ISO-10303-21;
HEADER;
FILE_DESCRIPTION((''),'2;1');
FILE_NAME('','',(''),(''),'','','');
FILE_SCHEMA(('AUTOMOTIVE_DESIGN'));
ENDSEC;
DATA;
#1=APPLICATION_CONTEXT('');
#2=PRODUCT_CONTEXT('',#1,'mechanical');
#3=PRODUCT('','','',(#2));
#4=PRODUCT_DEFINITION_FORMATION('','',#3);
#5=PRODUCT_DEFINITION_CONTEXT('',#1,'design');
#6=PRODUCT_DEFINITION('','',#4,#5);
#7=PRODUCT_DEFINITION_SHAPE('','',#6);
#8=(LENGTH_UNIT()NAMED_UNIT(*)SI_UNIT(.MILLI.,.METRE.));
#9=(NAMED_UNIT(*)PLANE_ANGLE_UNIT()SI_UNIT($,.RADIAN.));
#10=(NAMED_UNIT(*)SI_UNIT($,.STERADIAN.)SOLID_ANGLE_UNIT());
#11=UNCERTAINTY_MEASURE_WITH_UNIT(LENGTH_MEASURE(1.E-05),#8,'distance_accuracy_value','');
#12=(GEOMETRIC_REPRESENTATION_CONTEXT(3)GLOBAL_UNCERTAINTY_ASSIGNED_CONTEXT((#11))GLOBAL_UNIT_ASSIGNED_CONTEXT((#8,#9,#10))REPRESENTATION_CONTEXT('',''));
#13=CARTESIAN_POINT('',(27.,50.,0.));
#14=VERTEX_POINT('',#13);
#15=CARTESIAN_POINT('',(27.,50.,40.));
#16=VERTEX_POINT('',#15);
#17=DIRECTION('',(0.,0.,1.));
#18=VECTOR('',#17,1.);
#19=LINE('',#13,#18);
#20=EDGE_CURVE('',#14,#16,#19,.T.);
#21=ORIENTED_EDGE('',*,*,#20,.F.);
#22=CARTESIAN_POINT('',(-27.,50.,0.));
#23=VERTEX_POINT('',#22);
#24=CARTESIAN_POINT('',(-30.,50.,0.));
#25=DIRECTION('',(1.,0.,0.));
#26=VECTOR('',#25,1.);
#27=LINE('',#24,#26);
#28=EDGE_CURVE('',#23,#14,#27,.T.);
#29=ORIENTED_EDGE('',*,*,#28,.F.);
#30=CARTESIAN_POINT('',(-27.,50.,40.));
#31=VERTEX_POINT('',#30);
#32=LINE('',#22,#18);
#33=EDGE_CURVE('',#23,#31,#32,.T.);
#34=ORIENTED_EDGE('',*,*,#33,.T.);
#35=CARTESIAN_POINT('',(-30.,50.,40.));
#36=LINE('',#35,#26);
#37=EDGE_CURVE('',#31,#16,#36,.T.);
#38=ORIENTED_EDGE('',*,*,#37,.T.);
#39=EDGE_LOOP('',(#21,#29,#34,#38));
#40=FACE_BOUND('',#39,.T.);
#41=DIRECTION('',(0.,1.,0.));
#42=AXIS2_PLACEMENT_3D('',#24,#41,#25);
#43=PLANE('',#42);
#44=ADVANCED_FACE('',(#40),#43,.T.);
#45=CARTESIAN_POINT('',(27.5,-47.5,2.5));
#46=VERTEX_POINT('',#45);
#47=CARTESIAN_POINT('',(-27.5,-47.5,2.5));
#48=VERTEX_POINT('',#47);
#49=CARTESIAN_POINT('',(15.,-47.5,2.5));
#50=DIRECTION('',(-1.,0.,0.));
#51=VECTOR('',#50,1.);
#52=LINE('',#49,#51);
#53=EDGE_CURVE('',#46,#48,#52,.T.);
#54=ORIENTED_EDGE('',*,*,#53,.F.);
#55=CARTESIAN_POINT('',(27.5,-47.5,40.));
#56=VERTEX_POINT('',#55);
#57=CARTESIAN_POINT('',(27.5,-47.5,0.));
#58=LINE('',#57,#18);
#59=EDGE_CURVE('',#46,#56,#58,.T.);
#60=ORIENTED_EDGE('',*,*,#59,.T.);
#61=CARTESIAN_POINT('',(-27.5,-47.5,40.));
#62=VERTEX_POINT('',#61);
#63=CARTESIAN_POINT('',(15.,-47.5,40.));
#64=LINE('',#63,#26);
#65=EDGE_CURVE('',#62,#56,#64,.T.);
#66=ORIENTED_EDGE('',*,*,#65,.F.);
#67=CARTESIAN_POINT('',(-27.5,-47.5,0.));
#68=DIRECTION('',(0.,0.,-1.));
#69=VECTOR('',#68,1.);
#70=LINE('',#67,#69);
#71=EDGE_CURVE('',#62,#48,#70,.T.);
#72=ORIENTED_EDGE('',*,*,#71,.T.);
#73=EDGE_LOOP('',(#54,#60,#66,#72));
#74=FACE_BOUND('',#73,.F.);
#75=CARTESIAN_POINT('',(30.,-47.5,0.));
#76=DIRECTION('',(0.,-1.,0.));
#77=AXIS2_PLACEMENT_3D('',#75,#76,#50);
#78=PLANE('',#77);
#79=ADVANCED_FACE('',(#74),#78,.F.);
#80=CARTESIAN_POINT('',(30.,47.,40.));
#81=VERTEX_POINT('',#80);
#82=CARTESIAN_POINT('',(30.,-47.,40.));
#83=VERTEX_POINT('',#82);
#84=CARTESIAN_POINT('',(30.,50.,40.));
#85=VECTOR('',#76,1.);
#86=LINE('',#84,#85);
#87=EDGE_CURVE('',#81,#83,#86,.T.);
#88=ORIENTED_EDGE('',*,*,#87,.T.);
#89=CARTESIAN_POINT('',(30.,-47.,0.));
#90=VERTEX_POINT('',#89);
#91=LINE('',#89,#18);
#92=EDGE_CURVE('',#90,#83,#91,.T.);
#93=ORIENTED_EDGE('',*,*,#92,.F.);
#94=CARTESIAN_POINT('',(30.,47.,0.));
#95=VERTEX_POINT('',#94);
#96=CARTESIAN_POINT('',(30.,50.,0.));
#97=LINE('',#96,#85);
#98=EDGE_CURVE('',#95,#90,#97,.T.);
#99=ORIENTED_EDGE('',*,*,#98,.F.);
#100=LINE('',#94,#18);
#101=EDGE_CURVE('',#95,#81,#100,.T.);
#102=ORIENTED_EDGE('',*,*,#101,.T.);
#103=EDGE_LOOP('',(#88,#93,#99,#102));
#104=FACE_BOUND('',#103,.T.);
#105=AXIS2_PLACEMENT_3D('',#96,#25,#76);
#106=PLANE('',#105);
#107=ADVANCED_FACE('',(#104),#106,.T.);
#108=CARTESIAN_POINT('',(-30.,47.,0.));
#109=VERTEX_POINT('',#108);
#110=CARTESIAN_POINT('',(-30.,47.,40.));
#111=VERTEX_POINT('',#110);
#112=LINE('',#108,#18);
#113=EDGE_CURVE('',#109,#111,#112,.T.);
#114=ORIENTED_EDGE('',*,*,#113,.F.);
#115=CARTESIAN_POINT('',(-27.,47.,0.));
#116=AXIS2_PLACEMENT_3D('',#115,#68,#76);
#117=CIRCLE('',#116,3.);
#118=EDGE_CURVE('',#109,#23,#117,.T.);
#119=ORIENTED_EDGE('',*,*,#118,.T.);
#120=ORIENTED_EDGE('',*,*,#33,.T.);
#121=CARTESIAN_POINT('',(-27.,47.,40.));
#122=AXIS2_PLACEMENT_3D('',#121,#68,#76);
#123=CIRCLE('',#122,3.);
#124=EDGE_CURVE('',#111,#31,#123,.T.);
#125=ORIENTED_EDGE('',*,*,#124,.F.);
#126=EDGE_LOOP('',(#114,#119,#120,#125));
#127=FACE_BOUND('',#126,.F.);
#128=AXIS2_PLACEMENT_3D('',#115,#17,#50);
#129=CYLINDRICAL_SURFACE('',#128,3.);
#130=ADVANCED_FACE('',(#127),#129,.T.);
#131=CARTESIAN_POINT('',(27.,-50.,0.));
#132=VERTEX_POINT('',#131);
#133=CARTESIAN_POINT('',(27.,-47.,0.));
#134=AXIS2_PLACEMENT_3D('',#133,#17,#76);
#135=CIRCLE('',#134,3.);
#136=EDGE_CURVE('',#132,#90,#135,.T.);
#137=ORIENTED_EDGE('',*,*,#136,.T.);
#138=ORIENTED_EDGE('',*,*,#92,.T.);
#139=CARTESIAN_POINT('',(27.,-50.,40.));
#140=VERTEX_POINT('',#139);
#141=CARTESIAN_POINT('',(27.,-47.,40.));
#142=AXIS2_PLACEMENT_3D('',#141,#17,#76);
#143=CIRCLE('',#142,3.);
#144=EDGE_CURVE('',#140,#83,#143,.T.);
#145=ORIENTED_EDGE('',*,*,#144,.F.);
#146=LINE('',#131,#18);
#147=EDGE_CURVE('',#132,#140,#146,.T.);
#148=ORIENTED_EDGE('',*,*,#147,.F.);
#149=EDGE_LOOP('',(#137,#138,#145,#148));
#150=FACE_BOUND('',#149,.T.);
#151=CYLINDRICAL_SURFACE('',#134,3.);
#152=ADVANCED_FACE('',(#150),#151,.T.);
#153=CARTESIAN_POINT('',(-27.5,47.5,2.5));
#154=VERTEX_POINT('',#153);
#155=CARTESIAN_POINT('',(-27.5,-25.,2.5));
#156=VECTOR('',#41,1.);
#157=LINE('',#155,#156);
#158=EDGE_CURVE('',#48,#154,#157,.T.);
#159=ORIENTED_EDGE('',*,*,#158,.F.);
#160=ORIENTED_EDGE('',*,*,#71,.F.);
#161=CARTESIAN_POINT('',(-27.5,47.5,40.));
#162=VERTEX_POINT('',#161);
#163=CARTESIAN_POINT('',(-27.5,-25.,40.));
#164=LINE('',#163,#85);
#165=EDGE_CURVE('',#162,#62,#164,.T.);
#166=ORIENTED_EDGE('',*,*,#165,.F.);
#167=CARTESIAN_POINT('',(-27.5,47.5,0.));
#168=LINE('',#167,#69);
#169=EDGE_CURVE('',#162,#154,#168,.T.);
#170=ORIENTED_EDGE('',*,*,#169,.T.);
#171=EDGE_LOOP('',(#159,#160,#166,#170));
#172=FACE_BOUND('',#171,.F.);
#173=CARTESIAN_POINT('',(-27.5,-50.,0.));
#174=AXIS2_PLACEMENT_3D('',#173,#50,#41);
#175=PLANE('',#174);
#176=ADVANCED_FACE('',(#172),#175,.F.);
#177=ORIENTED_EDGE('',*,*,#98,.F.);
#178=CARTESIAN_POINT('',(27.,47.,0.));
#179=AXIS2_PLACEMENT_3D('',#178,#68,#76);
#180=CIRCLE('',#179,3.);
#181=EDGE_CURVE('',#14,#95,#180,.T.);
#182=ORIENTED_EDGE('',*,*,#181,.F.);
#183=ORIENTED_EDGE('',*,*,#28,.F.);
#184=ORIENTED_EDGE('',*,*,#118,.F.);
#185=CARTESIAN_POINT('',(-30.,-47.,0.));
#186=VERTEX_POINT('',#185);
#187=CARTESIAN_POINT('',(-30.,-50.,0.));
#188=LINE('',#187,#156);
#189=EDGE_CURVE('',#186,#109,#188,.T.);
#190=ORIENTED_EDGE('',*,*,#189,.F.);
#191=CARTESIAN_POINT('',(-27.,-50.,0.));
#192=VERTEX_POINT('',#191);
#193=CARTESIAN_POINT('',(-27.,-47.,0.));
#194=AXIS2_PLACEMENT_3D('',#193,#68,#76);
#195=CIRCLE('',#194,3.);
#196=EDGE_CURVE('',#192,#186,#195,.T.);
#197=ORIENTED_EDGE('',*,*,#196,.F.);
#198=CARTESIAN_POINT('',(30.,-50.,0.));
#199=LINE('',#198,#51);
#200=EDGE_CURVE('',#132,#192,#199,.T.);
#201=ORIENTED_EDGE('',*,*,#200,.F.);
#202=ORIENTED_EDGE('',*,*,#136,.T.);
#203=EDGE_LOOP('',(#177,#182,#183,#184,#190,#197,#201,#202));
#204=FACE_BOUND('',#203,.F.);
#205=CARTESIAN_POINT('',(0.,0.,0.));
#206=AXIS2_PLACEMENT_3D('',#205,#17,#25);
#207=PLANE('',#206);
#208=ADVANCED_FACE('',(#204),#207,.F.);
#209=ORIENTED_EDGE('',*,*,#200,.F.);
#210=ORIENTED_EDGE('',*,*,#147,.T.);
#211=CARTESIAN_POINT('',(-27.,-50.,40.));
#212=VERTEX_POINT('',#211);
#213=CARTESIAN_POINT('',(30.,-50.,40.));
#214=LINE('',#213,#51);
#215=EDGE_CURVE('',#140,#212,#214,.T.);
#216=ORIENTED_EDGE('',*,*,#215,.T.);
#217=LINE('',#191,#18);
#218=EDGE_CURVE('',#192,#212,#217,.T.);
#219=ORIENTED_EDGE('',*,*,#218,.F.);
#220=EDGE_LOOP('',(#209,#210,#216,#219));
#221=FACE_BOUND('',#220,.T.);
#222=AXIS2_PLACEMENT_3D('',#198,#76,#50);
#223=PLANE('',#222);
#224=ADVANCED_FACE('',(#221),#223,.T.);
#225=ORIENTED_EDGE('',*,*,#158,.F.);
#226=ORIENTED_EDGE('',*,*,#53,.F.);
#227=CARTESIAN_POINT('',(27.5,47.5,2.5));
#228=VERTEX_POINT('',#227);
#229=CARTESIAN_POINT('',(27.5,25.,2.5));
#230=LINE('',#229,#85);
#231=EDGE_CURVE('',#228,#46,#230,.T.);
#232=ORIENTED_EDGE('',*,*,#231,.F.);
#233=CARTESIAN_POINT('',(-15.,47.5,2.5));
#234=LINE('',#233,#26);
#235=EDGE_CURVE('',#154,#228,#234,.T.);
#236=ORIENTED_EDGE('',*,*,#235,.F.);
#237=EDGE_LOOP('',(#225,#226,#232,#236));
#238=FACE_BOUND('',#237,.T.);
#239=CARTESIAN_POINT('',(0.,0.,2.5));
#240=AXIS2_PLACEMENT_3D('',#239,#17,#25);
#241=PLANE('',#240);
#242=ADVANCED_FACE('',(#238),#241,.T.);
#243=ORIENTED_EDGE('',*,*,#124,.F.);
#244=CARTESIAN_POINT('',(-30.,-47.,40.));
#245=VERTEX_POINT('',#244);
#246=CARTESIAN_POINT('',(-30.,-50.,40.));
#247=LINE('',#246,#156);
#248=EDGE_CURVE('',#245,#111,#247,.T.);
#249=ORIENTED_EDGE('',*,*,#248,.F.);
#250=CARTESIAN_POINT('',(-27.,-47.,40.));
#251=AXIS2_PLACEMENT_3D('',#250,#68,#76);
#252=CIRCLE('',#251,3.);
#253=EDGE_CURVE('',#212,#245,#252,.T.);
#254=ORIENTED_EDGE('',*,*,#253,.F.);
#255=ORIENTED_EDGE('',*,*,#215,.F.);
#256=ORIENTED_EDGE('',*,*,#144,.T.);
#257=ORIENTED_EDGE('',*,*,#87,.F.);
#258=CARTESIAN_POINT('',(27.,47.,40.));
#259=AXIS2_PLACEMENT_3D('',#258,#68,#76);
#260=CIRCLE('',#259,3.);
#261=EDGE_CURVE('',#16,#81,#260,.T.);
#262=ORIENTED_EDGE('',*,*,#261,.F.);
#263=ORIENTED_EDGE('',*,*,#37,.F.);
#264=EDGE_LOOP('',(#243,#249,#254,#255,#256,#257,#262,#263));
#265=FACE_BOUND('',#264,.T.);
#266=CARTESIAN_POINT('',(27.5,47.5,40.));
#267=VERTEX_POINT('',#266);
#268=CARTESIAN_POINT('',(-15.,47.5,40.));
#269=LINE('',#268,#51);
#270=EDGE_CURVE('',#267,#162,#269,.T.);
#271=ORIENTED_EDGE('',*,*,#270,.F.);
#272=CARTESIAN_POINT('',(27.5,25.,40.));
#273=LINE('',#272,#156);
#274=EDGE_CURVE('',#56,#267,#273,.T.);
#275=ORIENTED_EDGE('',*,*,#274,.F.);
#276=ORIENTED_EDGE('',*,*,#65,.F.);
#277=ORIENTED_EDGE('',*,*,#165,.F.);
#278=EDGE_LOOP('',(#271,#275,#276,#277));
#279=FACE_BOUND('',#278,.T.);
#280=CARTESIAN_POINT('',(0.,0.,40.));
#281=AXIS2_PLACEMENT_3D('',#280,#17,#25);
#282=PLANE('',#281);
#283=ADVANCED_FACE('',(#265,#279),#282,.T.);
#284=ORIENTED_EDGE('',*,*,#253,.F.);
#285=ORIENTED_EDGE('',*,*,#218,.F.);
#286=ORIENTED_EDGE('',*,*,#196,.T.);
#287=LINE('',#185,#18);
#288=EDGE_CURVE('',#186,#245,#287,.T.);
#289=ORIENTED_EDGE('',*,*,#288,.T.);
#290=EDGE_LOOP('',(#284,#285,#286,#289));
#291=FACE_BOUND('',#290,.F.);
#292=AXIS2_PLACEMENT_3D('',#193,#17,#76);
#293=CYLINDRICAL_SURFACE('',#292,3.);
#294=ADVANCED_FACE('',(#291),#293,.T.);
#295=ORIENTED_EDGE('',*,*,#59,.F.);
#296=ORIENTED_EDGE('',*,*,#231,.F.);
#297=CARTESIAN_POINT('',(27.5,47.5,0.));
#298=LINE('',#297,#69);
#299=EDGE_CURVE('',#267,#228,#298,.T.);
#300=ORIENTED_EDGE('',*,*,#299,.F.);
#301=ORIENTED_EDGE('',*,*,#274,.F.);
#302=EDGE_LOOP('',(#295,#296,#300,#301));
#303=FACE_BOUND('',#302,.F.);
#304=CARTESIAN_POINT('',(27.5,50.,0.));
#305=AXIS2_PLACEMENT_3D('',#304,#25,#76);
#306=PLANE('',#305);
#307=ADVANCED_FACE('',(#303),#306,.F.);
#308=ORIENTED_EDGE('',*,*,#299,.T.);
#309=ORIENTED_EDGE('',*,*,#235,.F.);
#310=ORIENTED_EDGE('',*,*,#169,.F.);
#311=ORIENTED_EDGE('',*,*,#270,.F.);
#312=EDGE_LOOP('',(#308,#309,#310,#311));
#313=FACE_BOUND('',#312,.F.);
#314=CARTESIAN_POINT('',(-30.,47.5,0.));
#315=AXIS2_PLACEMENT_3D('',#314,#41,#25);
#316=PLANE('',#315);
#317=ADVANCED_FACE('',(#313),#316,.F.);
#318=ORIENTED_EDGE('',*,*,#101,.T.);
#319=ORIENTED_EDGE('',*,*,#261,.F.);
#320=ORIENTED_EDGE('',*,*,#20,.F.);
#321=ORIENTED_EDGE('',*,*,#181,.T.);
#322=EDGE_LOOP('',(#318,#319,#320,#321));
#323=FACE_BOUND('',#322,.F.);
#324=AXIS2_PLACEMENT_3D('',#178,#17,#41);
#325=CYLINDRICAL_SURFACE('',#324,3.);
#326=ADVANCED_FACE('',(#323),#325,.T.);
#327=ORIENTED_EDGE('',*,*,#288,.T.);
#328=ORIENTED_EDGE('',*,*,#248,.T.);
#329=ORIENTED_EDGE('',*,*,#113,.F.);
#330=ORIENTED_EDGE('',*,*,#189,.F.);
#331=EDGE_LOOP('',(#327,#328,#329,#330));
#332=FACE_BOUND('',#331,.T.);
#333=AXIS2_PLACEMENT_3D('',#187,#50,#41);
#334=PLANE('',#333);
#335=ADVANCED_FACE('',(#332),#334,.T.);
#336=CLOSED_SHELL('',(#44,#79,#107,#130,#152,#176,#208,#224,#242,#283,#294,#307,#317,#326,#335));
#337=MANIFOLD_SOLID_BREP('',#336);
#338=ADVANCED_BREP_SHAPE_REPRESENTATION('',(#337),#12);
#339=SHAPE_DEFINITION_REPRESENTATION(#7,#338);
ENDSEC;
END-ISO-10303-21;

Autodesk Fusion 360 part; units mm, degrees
sketch "Sketch1" plane through (0, 0, 0) normal (0, 0, 1) x (1, 0, 0)
  line L0 (30, -50) -> (-30, -50)
  line L1 (-30, -50) -> (-30, 50)
  line L2 (-30, 50) -> (30, 50)
  line L3 (30, 50) -> (30, -50)
  line L4 (30, -50) -> (-30, 50) construction
  line L5 (-30, -50) -> (30, 50) construction
  dimension "d1" = 60
  dimension "d2" = 100
extrude "Extrude1" add sketch "Sketch1" along normal blind 40
shell "Shell1" thickness 2.5 removed faces 1 at (10, -16.6667, 40)
fillet "Fillet1" radius 3 4 edges at (30, 50, 20) (-30, 50, 20) (30, -50, 20) (-30, -50, 20)
